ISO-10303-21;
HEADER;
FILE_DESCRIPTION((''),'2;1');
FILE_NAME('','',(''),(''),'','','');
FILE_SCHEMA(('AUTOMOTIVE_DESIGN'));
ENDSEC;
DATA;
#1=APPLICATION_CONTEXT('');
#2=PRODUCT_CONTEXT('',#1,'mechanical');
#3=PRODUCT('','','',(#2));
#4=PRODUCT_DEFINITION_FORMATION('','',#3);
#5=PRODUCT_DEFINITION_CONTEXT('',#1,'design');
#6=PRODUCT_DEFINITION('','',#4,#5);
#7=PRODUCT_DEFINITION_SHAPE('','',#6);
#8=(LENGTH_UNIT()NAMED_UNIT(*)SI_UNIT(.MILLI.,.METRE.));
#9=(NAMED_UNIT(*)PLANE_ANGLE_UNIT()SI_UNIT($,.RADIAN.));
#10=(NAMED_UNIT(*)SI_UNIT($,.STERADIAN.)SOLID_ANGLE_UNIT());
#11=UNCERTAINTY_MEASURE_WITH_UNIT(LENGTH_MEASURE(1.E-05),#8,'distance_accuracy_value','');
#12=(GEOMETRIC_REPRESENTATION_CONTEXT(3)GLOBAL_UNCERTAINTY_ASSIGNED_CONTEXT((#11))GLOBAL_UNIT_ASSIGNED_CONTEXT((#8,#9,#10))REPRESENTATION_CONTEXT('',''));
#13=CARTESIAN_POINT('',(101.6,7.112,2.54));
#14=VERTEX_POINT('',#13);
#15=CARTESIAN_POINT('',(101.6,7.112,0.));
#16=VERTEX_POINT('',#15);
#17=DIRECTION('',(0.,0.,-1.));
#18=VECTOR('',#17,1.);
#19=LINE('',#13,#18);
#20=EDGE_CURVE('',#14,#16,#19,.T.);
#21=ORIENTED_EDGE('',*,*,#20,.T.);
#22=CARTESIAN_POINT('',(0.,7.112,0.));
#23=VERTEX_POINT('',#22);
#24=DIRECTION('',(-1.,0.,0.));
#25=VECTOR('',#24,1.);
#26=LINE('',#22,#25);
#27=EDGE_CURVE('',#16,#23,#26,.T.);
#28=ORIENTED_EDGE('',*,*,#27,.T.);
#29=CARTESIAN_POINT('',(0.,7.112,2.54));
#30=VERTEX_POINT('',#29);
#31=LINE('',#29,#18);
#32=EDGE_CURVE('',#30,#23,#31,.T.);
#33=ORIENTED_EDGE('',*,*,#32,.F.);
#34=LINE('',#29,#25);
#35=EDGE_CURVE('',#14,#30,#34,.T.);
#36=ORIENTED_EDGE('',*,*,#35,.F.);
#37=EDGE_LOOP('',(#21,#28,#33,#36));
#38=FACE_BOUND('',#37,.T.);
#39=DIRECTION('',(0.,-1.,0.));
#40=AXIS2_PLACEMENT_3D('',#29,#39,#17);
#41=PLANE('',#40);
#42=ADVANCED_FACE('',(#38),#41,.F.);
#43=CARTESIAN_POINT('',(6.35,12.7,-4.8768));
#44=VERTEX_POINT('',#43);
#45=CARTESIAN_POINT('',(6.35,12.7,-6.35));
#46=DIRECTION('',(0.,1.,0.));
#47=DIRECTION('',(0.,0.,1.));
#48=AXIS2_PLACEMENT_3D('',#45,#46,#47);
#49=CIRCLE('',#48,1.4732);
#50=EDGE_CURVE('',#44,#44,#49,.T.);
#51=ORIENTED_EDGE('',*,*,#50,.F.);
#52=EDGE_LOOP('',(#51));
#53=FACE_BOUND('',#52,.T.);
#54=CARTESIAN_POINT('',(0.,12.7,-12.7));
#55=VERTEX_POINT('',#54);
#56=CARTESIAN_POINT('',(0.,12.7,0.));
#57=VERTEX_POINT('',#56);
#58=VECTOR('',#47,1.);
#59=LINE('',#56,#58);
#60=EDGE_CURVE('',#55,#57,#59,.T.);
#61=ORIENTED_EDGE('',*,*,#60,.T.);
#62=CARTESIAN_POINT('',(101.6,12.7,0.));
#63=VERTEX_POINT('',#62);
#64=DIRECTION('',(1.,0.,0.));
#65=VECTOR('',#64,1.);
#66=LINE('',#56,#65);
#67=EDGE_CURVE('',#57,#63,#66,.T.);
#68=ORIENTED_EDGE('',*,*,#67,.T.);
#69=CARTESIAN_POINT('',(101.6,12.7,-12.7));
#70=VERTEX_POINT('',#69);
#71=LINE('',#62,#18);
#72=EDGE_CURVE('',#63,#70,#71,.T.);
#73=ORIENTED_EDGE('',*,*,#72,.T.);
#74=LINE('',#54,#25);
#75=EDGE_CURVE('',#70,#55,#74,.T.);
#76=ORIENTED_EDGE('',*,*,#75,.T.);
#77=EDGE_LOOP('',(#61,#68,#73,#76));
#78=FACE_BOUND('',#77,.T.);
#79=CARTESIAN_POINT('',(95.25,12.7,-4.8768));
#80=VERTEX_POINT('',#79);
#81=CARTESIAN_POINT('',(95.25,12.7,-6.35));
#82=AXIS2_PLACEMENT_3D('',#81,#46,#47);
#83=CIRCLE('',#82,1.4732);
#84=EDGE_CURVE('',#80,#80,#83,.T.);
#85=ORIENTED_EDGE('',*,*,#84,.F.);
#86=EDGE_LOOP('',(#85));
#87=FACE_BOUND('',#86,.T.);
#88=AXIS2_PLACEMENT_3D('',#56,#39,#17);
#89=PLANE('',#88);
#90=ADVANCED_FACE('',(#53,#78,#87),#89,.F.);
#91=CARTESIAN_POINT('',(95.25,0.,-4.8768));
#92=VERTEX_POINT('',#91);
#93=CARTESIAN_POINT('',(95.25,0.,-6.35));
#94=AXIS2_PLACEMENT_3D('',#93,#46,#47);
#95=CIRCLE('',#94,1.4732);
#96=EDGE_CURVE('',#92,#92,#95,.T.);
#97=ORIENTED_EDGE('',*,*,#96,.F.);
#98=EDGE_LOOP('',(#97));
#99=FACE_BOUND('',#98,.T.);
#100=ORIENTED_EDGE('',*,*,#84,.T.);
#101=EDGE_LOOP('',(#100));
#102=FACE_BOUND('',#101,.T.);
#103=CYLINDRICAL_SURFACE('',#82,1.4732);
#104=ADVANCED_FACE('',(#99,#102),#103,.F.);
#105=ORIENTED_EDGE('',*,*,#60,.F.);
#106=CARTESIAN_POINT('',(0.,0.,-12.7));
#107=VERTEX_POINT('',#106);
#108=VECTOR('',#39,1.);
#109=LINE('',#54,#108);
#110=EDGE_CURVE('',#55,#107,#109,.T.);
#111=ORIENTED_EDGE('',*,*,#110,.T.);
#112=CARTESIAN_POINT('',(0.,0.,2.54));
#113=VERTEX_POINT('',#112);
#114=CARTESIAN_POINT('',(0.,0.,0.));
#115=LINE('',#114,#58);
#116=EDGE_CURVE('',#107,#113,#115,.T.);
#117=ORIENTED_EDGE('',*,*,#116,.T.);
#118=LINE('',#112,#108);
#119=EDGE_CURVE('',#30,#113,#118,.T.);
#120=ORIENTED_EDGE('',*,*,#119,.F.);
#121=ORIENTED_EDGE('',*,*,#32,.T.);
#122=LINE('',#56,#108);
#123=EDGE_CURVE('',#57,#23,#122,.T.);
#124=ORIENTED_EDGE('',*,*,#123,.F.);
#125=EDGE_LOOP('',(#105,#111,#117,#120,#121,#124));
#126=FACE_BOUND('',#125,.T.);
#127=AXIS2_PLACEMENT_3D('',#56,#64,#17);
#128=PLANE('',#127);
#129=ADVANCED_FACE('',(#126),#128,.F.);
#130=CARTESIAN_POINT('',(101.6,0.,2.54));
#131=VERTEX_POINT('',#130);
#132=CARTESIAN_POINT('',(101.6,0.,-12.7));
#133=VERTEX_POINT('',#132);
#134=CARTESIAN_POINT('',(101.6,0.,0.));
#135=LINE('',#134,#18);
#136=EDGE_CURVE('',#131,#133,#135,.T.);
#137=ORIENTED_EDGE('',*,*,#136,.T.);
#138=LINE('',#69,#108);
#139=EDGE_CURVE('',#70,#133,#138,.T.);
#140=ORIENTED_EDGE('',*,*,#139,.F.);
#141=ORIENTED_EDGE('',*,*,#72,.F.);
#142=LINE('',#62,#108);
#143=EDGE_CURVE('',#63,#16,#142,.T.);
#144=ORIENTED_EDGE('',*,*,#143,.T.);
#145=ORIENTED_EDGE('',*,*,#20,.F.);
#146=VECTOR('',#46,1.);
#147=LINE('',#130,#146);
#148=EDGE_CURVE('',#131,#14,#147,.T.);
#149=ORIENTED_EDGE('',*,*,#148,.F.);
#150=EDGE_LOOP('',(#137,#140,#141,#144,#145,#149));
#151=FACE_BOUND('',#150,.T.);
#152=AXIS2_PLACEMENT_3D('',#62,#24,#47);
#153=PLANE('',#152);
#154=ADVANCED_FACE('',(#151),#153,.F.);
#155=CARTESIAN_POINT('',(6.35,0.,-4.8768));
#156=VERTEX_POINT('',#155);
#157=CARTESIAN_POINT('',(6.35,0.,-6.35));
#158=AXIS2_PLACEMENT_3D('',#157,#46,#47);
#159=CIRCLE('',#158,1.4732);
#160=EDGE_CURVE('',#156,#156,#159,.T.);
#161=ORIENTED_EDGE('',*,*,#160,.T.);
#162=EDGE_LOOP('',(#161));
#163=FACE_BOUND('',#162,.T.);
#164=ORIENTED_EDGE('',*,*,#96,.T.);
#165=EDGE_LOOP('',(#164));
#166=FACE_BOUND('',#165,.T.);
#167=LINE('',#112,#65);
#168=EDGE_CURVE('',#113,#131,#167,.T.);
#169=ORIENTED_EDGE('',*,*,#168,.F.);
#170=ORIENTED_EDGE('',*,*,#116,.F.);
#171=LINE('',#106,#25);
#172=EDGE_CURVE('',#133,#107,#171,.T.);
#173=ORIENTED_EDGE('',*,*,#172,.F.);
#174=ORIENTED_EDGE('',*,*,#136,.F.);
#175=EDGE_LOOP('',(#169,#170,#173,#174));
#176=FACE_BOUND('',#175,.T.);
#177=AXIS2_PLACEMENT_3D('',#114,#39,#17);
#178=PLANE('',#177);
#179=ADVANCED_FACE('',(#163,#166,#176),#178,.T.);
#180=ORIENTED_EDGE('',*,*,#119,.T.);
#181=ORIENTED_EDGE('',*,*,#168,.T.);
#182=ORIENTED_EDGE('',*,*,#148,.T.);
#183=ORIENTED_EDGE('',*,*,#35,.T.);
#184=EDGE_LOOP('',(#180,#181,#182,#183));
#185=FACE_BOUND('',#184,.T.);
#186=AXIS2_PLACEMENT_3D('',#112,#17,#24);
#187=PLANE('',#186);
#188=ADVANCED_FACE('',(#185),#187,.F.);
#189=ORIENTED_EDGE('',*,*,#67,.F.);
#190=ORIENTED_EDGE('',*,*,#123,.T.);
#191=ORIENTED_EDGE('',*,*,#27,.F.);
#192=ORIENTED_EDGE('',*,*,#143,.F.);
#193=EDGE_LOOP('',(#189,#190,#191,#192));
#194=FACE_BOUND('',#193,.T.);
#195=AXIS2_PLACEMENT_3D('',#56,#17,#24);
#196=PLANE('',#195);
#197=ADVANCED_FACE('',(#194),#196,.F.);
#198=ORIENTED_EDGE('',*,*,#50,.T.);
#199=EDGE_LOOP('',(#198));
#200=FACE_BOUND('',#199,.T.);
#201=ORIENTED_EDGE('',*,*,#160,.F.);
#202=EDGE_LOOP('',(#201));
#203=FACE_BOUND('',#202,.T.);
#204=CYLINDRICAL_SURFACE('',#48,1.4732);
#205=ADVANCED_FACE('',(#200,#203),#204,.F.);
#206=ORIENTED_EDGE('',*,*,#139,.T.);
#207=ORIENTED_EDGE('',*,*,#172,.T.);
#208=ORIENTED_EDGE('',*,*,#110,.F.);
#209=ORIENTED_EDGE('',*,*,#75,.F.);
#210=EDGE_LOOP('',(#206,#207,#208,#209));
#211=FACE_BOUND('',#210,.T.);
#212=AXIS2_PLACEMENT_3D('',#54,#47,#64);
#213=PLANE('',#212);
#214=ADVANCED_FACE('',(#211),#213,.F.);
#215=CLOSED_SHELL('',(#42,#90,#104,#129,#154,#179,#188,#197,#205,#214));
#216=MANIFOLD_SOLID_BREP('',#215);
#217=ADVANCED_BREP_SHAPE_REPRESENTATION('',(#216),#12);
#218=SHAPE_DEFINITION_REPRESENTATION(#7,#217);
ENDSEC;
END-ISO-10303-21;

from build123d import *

# Parameters (mm, degrees)
SKETCH1_W                   = 101.6
SKETCH1_H                   = 12.7
BOSS_EXTRUDE1_DEPTH         = 12.7
F_32_0_116_DIAMETER_HOLE1_D = 2.9464
SKETCH5_W                   = 101.6
SKETCH5_H                   = 7.112
BOSS_EXTRUDE2_DEPTH         = 2.54


with BuildPart() as part:
    # Sketch1 → Boss-Extrude1 (new body)
    with BuildSketch(Plane(origin=(0, 0, 0), x_dir=(1, 0, 0), z_dir=(0, 1, 0))):
        with Locations((50.8, 6.35)):
            Rectangle(SKETCH1_W, SKETCH1_H)
    extrude(amount=BOSS_EXTRUDE1_DEPTH)

    # #32 (0.116) Diameter Hole1 (through all)
    with Locations(Plane(origin=(0, 12.7, 0), x_dir=(1, 0, 0), z_dir=(0, 1, 0))):
        with Locations((6.35, 6.35), (95.25, 6.35)):
            Hole(F_32_0_116_DIAMETER_HOLE1_D / 2)

    # Sketch5 → Boss-Extrude2 (add)
    with BuildSketch(Plane.XY):
        with Locations((50.8, 3.556)):
            Rectangle(SKETCH5_W, SKETCH5_H)
    extrude(amount=BOSS_EXTRUDE2_DEPTH)


solid = part.part
